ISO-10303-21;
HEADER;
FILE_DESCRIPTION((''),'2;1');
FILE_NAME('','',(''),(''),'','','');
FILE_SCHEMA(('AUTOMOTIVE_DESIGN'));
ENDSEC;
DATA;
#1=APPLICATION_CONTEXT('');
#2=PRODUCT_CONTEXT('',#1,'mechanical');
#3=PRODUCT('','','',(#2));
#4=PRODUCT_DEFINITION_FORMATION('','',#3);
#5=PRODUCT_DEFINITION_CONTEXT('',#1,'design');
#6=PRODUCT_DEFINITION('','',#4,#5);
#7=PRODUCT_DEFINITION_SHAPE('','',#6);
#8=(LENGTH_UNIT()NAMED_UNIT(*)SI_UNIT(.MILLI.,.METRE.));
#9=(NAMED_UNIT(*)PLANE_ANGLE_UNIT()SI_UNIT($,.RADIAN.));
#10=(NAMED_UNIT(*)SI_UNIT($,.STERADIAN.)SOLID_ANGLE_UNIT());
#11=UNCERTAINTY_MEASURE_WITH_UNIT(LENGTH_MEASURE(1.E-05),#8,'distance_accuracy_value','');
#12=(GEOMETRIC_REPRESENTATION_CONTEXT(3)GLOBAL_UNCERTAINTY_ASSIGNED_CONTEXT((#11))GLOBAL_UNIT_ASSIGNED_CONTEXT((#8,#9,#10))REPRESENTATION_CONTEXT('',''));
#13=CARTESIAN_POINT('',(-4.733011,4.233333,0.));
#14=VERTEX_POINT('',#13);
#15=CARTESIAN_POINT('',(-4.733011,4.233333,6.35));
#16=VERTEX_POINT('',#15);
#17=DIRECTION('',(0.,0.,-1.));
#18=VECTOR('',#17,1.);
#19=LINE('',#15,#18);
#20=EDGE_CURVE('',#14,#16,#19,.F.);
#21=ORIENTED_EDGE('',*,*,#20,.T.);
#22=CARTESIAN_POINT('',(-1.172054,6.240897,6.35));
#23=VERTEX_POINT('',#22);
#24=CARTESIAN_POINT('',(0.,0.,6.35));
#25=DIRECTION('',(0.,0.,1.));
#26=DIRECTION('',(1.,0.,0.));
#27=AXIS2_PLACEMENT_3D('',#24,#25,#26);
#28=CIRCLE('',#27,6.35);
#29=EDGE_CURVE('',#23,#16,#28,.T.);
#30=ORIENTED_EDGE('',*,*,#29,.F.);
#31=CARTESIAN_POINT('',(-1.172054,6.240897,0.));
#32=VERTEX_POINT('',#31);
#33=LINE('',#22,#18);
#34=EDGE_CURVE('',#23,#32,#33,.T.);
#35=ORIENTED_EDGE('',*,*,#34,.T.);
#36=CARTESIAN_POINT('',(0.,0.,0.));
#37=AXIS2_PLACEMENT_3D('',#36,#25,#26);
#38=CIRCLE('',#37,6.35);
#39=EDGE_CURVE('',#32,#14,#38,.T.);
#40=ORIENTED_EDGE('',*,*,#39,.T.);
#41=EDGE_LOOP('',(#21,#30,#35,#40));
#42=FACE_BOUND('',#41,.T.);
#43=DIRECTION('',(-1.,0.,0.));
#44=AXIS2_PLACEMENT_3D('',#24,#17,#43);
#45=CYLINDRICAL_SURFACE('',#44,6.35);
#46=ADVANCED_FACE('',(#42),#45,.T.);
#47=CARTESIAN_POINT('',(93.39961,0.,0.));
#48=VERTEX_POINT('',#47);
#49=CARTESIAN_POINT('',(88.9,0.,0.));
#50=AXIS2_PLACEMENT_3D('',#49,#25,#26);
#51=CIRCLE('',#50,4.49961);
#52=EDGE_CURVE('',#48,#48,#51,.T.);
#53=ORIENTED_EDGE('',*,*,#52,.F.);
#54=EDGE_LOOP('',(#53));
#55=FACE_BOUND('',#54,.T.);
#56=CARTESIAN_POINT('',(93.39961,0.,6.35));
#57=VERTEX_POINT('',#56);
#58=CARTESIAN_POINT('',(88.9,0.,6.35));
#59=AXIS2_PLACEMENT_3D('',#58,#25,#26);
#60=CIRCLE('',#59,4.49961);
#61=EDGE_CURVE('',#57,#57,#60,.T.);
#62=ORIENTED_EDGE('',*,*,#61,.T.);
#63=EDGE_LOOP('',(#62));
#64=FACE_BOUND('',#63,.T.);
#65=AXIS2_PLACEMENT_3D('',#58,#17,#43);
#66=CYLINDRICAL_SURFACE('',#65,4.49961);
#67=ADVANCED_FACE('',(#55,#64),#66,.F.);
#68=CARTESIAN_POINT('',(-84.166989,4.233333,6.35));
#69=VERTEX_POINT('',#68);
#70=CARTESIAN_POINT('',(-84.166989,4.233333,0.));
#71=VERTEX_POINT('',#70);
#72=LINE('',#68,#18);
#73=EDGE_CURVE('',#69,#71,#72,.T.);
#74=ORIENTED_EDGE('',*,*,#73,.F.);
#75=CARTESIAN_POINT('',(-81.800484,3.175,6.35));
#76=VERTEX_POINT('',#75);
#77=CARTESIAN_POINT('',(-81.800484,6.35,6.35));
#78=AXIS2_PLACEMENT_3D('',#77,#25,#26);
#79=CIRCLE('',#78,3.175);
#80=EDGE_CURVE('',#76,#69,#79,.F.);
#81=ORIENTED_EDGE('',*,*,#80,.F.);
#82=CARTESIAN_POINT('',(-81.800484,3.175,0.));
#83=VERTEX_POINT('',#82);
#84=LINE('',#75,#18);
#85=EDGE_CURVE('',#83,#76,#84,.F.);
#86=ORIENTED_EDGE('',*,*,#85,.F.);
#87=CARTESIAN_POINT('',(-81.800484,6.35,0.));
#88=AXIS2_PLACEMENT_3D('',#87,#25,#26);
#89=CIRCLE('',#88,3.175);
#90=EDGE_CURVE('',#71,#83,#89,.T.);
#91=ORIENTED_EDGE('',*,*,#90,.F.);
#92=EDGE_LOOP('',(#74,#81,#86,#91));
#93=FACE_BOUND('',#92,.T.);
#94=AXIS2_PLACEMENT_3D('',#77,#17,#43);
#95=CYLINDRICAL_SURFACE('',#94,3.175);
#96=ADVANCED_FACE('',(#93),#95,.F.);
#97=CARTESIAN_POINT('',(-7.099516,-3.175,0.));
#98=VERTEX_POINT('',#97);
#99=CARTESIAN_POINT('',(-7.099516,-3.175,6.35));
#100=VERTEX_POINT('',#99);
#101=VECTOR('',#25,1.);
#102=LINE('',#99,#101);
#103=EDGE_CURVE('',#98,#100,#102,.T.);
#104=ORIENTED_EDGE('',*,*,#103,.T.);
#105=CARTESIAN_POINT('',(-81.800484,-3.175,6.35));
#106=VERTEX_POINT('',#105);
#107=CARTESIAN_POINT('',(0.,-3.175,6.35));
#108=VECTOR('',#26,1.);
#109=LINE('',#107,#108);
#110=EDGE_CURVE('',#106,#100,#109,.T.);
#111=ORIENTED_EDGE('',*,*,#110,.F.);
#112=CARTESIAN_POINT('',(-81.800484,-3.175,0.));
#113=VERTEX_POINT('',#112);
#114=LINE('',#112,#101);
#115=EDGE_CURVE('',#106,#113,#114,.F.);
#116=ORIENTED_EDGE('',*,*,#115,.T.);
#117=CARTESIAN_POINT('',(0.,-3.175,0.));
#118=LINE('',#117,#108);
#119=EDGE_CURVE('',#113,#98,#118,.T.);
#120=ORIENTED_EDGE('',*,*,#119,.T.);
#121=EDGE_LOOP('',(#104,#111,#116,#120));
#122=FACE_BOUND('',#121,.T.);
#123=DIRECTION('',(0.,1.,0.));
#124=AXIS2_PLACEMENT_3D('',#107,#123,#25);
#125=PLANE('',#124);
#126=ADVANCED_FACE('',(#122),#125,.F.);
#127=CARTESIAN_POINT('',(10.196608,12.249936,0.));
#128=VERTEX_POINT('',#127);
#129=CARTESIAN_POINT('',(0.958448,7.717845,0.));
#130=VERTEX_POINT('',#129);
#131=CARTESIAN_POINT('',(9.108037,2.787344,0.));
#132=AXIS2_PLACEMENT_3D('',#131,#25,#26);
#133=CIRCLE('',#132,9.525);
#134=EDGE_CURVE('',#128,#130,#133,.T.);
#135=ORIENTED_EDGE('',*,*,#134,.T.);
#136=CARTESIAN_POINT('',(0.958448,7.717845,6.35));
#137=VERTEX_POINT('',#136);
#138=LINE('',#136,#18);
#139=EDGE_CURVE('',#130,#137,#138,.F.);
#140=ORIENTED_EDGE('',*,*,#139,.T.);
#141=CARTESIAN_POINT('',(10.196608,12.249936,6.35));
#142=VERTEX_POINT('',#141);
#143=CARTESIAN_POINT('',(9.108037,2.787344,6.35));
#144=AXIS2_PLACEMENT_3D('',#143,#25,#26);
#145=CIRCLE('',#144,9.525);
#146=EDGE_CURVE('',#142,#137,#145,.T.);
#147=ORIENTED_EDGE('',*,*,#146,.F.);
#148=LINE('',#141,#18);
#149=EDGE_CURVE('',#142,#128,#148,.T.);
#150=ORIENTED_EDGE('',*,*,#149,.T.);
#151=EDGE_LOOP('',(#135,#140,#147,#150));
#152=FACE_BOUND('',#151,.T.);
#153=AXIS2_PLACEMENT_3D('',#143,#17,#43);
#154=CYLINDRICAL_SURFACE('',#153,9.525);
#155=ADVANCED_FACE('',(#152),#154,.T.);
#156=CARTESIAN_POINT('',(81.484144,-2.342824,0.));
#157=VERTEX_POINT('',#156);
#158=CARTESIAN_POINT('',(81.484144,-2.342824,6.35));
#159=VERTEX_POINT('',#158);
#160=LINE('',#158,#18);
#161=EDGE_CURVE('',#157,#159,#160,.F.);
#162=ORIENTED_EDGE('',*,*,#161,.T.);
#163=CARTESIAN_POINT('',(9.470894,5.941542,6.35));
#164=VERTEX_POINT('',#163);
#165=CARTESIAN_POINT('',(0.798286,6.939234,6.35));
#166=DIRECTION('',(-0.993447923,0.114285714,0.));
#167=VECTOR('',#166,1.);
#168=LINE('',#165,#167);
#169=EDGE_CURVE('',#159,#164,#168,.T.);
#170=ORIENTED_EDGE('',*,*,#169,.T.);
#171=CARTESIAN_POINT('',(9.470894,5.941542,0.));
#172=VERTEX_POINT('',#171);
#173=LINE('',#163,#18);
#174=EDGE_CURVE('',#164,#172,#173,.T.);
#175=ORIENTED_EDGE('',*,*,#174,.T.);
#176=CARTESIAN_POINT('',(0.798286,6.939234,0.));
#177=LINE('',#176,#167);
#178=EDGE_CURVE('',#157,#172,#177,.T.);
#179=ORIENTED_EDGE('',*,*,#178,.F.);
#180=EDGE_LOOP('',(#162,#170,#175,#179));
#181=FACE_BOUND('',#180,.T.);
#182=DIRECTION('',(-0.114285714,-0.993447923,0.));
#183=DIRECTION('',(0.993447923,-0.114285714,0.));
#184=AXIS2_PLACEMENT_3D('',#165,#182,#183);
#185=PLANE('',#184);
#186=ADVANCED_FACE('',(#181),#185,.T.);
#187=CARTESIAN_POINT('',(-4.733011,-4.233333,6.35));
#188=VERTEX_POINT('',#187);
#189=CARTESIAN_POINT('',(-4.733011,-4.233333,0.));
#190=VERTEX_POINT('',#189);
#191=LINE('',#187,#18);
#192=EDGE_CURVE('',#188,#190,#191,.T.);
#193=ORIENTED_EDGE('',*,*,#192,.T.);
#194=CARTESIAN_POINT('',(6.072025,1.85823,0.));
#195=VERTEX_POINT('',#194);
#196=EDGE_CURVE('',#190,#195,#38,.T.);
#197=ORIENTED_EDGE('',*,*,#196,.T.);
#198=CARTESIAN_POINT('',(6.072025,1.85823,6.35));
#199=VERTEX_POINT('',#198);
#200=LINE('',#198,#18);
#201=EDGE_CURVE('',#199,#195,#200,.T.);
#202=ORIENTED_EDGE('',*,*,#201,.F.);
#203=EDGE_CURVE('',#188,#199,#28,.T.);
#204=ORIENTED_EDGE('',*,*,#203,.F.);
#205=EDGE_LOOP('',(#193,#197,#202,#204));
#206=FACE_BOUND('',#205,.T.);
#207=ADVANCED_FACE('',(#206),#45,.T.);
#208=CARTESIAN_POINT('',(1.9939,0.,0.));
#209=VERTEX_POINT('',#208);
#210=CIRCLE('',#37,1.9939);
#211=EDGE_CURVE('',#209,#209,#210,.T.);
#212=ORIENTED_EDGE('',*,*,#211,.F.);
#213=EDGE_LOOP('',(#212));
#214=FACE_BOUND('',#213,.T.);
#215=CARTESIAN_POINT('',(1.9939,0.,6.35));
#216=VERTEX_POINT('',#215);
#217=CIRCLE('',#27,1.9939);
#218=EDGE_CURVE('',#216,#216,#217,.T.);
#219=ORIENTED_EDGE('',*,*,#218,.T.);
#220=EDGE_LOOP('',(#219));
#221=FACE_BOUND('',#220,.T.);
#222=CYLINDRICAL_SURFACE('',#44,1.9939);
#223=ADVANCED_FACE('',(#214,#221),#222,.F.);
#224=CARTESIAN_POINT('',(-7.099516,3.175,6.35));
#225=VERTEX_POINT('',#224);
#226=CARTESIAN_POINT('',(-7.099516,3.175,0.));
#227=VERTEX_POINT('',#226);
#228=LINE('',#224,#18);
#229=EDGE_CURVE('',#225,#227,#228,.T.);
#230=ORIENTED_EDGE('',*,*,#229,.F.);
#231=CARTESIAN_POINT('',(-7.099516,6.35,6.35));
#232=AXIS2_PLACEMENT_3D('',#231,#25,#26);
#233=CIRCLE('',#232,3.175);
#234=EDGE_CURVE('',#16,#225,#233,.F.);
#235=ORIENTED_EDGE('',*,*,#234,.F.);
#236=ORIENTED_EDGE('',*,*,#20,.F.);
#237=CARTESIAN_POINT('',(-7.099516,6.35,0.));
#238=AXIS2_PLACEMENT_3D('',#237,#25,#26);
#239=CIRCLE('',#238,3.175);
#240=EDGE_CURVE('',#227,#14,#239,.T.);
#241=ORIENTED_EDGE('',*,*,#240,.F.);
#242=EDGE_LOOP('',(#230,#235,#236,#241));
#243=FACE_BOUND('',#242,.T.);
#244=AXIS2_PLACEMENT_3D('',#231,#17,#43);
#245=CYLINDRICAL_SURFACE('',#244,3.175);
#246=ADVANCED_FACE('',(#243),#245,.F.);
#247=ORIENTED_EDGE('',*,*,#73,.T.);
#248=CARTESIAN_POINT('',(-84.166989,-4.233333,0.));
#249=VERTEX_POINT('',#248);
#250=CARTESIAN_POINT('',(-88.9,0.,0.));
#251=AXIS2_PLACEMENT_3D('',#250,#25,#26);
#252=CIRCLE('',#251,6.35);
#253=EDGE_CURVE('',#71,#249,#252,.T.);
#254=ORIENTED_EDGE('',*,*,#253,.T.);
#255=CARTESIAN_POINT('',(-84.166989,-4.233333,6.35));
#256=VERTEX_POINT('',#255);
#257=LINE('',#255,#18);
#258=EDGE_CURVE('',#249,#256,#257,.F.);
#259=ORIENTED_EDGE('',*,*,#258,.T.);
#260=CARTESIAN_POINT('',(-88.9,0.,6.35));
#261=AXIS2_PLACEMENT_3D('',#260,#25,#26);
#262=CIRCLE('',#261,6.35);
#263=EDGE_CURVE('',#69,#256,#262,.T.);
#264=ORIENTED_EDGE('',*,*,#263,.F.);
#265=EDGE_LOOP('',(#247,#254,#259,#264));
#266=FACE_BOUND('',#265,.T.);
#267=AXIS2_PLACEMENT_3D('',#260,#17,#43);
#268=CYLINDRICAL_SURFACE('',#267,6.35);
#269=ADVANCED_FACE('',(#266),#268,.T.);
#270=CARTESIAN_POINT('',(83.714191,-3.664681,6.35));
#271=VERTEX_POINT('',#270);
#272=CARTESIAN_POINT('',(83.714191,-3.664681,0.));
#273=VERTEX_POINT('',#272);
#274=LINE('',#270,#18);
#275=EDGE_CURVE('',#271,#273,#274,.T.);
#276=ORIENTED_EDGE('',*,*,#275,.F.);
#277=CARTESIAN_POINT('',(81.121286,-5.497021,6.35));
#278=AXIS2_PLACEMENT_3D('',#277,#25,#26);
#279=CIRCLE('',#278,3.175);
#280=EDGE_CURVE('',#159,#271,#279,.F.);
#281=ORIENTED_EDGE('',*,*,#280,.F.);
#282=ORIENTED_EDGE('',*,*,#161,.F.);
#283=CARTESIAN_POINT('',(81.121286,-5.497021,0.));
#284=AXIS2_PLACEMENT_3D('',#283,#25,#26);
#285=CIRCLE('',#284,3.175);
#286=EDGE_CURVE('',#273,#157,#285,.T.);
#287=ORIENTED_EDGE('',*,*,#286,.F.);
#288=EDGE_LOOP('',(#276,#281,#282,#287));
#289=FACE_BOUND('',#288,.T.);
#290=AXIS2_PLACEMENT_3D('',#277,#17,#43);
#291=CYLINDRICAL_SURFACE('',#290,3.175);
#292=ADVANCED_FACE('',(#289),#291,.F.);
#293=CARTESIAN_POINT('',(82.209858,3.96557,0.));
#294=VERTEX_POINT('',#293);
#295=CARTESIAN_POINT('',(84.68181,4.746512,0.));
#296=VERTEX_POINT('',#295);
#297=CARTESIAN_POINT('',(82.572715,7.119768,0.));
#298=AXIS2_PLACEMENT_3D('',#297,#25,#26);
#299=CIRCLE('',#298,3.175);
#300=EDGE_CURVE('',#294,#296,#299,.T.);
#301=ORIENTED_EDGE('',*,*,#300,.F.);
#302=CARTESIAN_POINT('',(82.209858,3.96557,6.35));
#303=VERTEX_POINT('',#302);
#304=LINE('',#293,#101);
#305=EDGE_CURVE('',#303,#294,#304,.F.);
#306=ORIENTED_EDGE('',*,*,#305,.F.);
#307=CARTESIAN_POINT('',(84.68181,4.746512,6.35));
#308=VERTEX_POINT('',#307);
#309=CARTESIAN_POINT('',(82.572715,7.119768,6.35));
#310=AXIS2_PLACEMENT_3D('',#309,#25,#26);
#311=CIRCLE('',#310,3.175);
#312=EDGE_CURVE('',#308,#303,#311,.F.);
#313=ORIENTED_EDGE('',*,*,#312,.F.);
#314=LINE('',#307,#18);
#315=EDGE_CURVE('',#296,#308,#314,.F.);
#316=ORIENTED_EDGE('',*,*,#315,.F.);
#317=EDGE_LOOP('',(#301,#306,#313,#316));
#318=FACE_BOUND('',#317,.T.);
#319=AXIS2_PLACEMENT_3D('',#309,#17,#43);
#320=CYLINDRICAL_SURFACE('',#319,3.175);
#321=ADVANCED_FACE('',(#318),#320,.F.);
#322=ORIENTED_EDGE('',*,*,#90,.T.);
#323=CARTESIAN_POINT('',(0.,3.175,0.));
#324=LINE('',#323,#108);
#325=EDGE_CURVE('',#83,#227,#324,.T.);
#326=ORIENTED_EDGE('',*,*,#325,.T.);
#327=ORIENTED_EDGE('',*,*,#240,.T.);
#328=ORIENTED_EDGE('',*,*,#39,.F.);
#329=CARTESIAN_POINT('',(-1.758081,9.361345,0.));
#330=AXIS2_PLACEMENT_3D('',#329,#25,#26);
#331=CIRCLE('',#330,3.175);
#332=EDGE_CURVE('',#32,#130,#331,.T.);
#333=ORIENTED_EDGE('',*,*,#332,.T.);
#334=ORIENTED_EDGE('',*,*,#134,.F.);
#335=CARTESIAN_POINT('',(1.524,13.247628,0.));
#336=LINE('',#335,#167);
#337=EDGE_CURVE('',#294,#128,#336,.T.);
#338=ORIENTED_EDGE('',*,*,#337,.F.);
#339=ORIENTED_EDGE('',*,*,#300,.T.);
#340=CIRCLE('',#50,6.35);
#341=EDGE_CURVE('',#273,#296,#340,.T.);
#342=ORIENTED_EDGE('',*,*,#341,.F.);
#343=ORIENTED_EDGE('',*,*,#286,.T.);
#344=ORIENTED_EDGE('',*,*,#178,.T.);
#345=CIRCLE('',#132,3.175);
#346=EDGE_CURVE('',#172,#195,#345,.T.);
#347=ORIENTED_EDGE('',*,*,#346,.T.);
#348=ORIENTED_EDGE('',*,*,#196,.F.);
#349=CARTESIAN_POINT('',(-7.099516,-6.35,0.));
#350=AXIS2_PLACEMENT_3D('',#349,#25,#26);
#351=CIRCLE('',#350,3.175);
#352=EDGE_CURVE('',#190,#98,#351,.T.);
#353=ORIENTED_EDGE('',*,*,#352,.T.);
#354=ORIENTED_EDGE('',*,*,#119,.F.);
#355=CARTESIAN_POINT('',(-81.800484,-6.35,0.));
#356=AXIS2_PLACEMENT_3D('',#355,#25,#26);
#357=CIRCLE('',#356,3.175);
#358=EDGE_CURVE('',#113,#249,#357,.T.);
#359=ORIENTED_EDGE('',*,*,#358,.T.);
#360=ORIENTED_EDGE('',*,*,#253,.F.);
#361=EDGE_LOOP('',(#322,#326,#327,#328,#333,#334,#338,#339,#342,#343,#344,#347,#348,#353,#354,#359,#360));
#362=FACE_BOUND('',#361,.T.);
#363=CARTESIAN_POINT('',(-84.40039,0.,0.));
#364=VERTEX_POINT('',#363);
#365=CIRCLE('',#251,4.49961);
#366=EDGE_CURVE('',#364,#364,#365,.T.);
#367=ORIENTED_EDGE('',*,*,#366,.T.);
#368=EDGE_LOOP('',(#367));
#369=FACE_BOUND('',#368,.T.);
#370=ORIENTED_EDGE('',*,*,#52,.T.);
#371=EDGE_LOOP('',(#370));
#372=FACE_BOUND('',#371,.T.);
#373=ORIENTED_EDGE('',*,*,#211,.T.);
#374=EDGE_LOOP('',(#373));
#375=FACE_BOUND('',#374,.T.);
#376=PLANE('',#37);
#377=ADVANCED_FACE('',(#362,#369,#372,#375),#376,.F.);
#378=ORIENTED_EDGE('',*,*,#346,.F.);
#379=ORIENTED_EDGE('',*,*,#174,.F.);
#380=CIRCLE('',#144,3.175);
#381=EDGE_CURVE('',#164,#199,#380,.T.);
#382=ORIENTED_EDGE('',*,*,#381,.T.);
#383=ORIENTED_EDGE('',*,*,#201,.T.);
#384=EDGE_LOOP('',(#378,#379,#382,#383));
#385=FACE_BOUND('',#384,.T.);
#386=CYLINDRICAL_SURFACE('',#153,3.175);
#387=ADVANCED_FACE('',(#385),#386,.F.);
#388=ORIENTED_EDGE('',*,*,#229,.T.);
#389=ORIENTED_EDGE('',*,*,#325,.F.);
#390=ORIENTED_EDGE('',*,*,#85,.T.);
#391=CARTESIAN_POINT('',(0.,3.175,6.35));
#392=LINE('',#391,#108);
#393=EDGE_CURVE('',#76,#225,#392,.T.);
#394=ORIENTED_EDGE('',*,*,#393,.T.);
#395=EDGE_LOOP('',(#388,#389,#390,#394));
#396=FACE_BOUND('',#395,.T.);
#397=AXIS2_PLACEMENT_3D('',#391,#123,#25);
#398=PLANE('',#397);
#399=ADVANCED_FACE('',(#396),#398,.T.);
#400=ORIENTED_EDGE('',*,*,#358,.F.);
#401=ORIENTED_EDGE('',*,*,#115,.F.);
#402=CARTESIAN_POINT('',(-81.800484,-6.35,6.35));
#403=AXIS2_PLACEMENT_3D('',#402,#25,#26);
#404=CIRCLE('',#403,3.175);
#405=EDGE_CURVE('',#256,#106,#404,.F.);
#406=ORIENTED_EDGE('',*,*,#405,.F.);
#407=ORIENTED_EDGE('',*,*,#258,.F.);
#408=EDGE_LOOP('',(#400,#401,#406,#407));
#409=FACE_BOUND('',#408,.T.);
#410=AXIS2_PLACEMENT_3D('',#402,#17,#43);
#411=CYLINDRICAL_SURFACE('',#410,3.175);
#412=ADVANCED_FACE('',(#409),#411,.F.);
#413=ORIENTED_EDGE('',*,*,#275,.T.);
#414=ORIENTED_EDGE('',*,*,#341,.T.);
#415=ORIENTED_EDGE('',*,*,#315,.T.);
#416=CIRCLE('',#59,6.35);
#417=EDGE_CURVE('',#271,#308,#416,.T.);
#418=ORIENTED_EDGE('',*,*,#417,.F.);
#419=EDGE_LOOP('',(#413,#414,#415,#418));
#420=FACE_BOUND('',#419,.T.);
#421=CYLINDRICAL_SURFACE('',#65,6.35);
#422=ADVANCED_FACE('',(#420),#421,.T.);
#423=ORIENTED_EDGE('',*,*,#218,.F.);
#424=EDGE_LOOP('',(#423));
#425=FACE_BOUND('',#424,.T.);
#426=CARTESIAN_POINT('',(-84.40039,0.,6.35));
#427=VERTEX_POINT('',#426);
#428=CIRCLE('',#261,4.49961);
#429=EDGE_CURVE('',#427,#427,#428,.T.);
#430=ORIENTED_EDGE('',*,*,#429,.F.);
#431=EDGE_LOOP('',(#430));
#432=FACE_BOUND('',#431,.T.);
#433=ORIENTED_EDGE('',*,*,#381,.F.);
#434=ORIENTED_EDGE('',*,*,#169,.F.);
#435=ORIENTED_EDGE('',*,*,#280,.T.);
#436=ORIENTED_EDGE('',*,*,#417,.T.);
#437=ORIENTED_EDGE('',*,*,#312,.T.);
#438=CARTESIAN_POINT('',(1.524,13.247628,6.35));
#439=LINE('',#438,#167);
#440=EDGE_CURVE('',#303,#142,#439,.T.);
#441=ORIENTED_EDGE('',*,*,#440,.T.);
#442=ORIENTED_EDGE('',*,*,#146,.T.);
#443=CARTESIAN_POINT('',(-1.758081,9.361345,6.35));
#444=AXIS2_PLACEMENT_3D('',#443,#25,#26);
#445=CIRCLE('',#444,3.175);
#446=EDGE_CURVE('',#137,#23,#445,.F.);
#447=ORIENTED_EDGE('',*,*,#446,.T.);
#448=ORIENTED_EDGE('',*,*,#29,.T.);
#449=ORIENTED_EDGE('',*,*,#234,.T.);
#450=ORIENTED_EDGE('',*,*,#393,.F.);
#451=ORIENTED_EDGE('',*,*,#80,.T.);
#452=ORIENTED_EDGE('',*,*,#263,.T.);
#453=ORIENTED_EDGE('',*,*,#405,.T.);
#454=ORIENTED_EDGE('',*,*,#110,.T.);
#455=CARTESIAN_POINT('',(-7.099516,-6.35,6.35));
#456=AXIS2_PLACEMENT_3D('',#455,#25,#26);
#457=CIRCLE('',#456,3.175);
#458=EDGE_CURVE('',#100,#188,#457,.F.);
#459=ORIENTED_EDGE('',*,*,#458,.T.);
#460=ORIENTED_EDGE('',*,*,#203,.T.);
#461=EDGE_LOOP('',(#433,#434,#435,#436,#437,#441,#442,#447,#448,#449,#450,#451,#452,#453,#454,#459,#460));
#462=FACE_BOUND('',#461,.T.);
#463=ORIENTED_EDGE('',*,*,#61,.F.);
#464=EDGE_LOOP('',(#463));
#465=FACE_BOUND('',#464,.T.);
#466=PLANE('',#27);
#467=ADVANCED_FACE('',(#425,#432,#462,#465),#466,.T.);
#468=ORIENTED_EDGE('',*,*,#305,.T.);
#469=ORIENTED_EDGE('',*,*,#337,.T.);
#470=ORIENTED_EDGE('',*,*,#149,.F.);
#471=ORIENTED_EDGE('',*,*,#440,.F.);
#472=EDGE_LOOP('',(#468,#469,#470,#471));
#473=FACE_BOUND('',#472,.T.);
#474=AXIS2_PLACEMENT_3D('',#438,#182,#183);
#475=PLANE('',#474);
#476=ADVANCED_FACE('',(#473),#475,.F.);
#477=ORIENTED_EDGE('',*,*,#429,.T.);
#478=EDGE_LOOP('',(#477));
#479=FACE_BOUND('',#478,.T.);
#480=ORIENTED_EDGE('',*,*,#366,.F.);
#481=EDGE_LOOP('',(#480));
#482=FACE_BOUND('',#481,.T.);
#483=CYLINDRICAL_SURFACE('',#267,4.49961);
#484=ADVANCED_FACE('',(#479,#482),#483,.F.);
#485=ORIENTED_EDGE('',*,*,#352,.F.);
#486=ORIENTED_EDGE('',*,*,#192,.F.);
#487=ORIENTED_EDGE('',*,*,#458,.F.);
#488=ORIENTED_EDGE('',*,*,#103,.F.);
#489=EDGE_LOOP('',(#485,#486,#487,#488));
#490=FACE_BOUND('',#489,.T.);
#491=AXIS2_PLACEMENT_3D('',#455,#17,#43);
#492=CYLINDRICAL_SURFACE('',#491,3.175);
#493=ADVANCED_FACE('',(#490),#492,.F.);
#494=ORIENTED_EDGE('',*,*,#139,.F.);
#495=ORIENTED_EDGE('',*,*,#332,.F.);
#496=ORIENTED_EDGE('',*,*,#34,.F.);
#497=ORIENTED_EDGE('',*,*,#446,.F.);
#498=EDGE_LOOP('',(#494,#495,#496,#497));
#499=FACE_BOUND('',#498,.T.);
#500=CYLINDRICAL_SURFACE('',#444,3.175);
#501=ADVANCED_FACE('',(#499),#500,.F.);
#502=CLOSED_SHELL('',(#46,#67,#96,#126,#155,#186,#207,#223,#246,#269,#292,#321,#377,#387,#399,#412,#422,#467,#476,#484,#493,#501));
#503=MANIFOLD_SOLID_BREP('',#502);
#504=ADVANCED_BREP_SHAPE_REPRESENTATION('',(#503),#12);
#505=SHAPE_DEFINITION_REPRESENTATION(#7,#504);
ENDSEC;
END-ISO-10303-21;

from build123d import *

# Parameters (mm, degrees)
SKETCH1_R           = 4.49961
SKETCH1_R_2         = 1.9939
BOSS_EXTRUDE1_DEPTH = 6.35
FILLET2_R           = 3.175


with BuildPart() as part:
    # Sketch1 → Boss-Extrude1 (new body)
    with BuildSketch(Plane.XY):
        with BuildLine():
            Line((-83.400738686, -3.175), (-5.499261314, -3.175))
            ThreePointArc((-5.499261314, -3.175), (2.532857004, -5.822983376), (6.072024587, 1.858229644))
            ThreePointArc((6.072024587, 1.858229644), (6.667791277, 4.818557399), (9.470894014, 5.941541551))
            Line((9.470894014, 5.941541551), (83.073913127, -2.525710148))
            ThreePointArc((83.073913127, -2.525710148), (95.20839431, -0.725714286), (83.799627413, 3.782684163))
            Line((83.799627413, 3.782684163), (10.196608307, 12.249935861))
            ThreePointArc((10.196608307, 12.249935861), (4.237192952, 10.972727963), (0.272052538, 6.344169561))
            ThreePointArc((0.272052538, 6.344169561), (-3.056441857, 5.566027594), (-5.499261314, 3.175))
            Line((-5.499261314, 3.175), (-83.400738686, 3.175))
            ThreePointArc((-83.400738686, 3.175), (-95.25, 0), (-83.400738686, -3.175))
        make_face()
        with Locations((-88.9, 0)):
            Circle(SKETCH1_R, mode=Mode.SUBTRACT)
        Circle(SKETCH1_R_2, mode=Mode.SUBTRACT)
        with Locations((88.9, 0)):
            Circle(SKETCH1_R, mode=Mode.SUBTRACT)
    extrude(amount=BOSS_EXTRUDE1_DEPTH)

    # Fillet2
    fillet2_edges = [part.edges().sort_by_distance(p)[0] for p in [
        (-5.499261314, -3.175, 3.175),
        (-83.400738686, -3.175, 3.175),
        (-83.400738686, 3.175, 3.175),
        (-5.499261314, 3.175, 3.175),
        (0.272052538, 6.344169561, 3.175),
        (83.799627413, 3.782684163, 3.175),
        (83.073913127, -2.525710148, 3.175),
    ]]
    fillet(fillet2_edges, radius=FILLET2_R)


solid = part.part
